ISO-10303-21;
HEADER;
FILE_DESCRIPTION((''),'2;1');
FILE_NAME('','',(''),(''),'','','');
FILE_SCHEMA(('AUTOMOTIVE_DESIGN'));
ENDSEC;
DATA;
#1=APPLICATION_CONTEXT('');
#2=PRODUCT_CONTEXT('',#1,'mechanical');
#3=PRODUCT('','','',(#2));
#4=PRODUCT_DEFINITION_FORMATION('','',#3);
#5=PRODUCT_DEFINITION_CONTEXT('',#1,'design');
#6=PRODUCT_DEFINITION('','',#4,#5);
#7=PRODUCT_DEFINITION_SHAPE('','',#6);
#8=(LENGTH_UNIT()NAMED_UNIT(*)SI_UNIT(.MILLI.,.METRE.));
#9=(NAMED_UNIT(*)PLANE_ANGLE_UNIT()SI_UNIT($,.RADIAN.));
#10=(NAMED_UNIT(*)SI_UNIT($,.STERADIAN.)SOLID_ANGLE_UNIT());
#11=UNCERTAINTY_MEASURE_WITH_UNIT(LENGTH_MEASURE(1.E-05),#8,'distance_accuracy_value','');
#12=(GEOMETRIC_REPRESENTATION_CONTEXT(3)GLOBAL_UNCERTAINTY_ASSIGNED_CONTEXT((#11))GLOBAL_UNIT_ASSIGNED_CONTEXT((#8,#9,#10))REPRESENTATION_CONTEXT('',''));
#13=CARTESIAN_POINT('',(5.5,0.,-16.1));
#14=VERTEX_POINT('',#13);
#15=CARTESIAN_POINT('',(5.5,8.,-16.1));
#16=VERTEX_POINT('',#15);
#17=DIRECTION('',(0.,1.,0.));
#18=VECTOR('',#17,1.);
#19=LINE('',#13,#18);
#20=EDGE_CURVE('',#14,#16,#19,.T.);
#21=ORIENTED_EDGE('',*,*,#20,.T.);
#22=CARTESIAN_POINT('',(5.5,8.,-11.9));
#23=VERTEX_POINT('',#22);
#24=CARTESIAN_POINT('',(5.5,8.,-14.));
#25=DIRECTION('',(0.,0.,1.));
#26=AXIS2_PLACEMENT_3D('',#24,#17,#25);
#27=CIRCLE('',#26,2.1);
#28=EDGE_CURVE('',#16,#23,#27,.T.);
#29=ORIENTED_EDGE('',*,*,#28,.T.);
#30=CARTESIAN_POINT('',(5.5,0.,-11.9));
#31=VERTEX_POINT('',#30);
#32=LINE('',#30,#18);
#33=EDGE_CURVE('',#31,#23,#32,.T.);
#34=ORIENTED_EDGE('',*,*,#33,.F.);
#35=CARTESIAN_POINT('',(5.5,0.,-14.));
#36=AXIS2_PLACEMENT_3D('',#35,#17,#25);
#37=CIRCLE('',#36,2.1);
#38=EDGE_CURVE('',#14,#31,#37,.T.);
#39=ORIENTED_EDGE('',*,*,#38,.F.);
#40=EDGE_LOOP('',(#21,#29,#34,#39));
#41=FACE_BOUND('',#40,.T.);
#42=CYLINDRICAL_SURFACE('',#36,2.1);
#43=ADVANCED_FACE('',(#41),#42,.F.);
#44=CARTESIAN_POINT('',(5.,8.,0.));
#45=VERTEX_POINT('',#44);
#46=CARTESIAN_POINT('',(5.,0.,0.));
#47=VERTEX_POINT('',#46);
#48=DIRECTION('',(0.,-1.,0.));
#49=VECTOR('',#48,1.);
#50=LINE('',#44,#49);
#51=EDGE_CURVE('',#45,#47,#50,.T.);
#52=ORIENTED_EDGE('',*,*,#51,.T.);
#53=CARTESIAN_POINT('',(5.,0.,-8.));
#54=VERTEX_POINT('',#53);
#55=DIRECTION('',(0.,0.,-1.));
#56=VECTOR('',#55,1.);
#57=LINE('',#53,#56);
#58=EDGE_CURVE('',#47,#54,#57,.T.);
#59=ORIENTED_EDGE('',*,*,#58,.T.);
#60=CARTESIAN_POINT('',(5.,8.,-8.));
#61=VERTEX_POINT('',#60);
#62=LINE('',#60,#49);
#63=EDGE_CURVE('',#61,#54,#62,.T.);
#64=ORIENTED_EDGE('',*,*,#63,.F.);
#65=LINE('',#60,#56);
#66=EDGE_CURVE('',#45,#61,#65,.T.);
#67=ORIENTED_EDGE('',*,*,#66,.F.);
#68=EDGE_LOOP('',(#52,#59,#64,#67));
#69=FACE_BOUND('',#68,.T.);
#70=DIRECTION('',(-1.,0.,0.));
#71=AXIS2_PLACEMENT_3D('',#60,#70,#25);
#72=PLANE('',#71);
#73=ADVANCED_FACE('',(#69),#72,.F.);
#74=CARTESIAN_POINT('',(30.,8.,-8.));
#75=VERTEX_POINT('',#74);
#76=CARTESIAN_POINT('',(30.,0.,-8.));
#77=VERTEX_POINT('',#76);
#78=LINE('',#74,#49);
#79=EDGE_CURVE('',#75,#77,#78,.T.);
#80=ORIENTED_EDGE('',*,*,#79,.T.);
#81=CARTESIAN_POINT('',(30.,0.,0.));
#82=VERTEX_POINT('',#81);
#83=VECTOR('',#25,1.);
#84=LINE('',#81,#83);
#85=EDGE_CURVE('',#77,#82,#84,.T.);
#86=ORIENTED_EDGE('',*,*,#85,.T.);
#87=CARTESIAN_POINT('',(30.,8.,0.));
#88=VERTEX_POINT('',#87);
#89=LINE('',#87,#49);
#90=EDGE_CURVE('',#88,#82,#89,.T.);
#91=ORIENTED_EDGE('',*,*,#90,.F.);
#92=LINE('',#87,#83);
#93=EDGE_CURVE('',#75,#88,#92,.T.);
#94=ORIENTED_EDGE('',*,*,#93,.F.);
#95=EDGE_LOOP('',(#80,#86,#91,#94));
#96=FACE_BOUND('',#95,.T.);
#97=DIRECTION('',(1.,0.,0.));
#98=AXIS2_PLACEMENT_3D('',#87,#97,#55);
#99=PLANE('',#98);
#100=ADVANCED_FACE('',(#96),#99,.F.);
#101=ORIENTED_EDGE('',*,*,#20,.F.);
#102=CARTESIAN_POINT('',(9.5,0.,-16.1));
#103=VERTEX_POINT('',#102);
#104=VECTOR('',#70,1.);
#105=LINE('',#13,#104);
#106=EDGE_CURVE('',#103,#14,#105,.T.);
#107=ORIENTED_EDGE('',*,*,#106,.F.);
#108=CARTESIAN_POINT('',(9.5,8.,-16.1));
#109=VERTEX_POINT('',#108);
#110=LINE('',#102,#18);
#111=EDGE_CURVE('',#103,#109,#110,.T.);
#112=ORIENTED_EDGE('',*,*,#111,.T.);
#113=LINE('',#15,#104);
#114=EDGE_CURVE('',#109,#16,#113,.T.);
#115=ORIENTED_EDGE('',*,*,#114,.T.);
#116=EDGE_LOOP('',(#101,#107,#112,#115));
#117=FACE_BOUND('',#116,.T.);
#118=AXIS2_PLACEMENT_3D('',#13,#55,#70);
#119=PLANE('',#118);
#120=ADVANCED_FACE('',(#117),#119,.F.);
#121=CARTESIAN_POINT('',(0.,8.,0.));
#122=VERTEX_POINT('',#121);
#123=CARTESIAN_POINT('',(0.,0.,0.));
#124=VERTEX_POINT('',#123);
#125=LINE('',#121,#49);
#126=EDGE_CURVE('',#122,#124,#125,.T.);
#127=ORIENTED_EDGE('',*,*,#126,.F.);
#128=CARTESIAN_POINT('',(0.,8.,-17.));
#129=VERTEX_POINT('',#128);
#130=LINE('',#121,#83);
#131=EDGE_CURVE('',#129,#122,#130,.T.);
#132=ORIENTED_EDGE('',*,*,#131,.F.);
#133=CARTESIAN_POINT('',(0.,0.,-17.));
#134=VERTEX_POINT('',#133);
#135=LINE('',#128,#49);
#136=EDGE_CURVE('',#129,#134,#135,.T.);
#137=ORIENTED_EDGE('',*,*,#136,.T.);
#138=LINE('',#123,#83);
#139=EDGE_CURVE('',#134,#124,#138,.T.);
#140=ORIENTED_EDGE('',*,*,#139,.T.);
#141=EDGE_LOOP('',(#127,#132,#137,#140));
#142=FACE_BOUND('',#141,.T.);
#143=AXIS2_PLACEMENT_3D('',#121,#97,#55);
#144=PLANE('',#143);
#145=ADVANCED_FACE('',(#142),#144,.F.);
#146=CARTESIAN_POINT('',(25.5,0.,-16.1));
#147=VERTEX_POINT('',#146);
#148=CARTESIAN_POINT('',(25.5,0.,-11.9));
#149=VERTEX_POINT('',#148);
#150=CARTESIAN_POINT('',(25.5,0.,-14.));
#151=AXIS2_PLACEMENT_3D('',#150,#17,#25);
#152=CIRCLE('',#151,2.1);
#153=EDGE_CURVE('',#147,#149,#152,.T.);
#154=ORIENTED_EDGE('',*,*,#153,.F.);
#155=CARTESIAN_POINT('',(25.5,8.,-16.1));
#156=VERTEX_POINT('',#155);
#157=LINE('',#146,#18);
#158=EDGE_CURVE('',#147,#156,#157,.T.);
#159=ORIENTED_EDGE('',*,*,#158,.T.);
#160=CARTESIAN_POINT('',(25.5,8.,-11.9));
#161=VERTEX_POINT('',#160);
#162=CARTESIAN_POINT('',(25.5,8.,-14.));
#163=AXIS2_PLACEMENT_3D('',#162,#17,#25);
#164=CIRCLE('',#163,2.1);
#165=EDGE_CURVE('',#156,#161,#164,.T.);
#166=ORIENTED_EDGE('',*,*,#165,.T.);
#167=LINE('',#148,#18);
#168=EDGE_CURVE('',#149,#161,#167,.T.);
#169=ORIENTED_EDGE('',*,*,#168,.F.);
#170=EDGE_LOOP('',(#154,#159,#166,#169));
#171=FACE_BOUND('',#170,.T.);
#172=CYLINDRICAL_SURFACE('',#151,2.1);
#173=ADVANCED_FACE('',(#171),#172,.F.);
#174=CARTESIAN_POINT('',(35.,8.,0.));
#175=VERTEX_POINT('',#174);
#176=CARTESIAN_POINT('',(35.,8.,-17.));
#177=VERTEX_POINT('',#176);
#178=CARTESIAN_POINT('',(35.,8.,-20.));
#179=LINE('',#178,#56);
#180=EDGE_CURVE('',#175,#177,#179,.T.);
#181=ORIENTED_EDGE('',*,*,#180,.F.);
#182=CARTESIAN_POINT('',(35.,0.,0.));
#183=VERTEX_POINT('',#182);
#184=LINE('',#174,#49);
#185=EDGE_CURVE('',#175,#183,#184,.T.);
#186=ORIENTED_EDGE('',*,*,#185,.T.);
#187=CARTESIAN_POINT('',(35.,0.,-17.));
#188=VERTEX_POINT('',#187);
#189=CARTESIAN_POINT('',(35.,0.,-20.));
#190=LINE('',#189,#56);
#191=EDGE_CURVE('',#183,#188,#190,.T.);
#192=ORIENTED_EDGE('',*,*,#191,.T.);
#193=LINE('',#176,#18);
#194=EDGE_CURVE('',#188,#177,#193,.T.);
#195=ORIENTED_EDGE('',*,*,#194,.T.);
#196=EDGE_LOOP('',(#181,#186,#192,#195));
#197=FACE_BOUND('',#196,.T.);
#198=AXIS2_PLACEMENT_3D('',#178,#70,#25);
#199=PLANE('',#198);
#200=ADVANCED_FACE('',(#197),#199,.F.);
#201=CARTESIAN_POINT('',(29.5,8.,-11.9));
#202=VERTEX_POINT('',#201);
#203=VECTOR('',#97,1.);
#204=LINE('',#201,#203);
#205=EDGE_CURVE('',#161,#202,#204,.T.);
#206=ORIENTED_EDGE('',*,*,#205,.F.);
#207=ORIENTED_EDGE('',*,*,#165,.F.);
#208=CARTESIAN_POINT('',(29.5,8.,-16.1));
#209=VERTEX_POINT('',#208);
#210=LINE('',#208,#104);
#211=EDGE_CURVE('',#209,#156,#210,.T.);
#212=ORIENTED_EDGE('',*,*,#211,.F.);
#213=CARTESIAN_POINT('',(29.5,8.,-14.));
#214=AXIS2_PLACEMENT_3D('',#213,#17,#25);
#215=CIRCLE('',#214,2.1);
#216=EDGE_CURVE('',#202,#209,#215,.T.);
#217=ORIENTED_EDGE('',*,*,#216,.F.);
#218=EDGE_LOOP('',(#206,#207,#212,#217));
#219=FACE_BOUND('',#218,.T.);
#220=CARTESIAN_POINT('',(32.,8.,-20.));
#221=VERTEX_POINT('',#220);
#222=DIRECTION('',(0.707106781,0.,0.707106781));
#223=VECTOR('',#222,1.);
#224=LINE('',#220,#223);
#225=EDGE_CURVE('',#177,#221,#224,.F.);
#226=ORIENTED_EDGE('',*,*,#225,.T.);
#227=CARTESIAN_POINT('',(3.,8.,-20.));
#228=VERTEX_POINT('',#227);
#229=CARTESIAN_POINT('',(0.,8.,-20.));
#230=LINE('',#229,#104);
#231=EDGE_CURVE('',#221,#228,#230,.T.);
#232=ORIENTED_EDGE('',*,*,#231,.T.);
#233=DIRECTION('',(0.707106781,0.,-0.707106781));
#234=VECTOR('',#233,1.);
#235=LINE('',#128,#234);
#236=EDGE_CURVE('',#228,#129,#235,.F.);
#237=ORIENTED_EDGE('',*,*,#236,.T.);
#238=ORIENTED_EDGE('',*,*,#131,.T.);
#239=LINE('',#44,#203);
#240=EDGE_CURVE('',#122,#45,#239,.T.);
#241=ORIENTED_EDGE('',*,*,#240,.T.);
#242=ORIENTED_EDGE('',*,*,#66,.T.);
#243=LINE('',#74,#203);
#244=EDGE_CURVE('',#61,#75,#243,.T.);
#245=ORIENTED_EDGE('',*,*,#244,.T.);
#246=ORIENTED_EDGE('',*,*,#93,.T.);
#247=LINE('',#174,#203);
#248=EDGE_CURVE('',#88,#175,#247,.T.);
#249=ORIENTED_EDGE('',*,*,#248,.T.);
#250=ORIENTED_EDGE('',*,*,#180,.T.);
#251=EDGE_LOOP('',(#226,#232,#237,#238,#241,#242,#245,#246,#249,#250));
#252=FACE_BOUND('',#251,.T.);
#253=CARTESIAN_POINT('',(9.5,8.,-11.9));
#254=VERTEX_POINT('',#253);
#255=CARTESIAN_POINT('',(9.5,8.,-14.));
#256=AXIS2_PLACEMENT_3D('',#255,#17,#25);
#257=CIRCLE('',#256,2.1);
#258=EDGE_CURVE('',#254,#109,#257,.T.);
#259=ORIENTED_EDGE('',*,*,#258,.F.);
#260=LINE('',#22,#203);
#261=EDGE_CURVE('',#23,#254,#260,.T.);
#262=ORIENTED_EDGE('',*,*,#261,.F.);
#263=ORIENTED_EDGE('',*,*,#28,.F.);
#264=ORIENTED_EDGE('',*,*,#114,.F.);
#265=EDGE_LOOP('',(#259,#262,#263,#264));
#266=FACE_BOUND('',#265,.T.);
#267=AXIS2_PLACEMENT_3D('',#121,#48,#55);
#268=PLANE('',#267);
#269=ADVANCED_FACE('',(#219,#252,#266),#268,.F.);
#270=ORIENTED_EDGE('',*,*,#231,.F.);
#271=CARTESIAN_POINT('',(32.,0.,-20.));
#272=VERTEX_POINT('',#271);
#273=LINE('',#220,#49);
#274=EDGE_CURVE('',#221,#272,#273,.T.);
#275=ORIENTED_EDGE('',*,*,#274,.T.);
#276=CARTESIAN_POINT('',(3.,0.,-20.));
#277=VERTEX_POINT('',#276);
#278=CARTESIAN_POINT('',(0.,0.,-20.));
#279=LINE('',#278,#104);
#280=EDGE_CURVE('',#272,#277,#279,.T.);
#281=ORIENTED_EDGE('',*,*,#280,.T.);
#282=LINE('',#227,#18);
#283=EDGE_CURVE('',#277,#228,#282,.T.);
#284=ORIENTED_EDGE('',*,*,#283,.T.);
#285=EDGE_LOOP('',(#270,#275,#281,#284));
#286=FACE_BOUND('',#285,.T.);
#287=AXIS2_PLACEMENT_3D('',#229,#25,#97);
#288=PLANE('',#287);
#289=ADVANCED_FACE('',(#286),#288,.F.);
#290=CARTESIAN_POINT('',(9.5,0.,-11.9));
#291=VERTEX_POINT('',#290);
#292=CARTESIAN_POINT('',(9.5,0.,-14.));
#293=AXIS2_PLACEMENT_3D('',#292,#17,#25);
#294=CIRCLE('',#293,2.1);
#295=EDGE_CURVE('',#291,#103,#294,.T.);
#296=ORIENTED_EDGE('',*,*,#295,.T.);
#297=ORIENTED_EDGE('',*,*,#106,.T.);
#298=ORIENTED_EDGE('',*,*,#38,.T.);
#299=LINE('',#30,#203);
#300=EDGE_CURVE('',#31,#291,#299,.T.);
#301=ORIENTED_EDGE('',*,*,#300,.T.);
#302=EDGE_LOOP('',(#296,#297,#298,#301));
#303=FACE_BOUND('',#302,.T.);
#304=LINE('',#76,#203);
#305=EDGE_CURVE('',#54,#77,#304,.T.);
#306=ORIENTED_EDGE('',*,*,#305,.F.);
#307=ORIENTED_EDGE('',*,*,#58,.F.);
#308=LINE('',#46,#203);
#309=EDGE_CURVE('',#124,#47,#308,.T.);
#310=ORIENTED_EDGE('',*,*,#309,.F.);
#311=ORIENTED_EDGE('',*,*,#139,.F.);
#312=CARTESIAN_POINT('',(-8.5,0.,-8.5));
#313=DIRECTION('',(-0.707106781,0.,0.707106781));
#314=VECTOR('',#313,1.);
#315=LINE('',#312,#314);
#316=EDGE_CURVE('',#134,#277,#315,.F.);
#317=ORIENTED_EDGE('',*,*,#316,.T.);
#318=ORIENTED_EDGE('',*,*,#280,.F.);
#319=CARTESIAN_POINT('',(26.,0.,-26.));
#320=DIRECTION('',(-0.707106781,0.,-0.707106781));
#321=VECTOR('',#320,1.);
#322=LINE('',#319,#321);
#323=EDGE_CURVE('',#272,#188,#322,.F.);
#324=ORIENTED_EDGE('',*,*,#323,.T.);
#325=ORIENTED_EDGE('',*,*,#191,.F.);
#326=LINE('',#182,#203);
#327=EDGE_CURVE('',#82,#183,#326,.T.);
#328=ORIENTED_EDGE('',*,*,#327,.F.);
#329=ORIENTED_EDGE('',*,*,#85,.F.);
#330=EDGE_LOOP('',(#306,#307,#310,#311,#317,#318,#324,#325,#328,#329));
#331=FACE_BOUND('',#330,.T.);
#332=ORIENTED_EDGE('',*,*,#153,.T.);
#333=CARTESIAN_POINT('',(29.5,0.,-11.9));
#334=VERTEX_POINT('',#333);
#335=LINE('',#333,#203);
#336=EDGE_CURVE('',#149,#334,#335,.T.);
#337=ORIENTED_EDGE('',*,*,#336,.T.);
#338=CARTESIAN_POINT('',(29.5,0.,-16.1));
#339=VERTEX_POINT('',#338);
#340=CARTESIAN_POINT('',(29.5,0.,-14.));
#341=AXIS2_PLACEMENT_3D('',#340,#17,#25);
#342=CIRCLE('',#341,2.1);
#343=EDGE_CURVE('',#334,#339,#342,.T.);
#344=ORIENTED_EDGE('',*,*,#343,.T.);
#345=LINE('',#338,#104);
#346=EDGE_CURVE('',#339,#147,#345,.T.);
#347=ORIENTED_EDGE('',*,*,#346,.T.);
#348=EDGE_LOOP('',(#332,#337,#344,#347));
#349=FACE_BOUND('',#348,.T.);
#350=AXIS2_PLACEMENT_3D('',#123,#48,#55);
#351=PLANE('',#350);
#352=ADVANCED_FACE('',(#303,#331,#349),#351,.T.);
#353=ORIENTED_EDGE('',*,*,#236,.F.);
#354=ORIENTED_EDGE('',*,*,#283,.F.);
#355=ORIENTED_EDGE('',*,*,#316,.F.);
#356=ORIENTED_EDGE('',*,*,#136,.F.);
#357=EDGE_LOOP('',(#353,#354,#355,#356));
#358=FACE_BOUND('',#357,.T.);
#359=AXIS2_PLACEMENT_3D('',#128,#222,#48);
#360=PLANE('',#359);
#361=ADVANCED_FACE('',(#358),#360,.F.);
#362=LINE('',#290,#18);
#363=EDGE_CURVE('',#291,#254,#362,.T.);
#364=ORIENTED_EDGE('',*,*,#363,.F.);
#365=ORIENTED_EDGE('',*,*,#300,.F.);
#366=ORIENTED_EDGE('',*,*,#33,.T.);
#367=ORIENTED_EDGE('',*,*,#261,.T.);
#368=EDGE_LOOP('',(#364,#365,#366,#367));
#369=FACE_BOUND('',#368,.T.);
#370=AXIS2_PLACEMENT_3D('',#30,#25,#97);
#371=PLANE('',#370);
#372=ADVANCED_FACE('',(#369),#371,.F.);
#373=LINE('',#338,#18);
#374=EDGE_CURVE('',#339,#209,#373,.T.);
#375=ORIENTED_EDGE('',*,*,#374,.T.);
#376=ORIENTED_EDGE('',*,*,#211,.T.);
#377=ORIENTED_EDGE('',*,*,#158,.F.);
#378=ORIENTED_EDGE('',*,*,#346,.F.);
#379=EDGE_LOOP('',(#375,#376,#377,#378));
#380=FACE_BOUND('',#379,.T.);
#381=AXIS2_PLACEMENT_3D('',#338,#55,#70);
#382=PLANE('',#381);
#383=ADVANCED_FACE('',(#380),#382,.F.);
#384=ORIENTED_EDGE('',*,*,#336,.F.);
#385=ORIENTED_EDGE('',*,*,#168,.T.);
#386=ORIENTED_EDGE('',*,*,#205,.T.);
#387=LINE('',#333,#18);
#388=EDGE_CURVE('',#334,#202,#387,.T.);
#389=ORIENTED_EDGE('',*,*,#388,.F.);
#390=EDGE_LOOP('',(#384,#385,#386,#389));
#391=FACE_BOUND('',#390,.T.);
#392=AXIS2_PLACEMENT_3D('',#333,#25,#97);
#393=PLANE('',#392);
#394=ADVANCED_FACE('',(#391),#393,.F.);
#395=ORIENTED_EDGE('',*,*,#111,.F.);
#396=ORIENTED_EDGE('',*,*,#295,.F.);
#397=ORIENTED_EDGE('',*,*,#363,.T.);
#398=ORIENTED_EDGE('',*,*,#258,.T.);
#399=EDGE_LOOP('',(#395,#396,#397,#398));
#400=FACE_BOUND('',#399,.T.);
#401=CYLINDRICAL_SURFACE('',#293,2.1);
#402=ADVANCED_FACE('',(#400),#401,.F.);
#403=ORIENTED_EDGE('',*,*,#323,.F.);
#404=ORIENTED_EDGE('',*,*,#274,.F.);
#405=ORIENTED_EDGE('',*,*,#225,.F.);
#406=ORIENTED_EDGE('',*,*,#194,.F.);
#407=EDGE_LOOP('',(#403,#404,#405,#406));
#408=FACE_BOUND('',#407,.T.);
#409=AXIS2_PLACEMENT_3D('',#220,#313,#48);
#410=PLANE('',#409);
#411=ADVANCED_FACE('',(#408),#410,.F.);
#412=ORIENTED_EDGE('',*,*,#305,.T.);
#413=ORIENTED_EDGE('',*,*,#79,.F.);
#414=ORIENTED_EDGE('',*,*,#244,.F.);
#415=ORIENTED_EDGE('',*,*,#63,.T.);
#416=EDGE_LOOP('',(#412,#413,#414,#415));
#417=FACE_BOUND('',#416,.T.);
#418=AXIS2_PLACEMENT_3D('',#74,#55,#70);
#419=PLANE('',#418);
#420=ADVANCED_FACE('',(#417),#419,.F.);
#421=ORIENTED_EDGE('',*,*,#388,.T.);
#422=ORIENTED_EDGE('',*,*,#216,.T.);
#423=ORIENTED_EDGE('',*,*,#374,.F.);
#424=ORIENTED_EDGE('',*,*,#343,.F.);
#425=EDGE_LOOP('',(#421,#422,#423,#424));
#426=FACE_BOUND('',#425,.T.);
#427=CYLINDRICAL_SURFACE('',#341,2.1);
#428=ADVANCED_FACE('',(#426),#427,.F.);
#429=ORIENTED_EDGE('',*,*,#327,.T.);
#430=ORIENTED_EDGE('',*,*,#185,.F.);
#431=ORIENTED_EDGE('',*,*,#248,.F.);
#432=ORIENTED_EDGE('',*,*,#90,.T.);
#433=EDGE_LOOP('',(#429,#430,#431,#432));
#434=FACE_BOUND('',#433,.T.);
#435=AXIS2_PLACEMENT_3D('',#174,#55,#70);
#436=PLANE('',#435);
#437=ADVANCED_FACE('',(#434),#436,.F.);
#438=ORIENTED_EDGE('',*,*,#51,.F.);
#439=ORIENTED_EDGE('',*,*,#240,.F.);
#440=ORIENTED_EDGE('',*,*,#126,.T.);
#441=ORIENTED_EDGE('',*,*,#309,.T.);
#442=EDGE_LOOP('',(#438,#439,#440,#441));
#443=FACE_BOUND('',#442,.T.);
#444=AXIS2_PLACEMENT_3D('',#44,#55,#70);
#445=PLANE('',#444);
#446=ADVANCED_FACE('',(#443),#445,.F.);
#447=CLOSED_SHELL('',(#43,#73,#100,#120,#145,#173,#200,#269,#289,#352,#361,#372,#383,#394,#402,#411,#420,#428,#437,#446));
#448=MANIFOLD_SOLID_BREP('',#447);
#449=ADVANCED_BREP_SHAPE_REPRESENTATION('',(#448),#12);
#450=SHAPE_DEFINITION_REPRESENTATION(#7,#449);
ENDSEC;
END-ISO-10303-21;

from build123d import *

# Parameters (mm, degrees)
EXTRUDE_1_DEPTH     = 8
CUT_EXTRUDE_1_DEPTH = 8
CHAMFER_1_SIZE      = 3


with BuildPart() as part:
    # 스케치1 → 보스-돌출1 (new body)
    with BuildSketch(Plane(origin=(0, 0, 0), x_dir=(1, 0, 0), z_dir=(0, 1, 0))):
        Polygon((0, 0), (0, 20), (35, 20), (35, 0), (30, 0), (30, 8), (5, 8), (5, 0), align=None)
    extrude(amount=EXTRUDE_1_DEPTH)

    # 스케치2 → 컷-돌출1 (cut)
    with BuildSketch(Plane(origin=(0, 8, 0), x_dir=(1, 0, 0), z_dir=(0, 1, 0))):
        with BuildLine():
            Line((29.5, 11.9), (25.5, 11.9))
            ThreePointArc((25.5, 11.9), (23.4, 14), (25.5, 16.1))
            Line((25.5, 16.1), (29.5, 16.1))
            ThreePointArc((29.5, 16.1), (31.6, 14), (29.5, 11.9))
        make_face()
        with BuildLine():
            Line((5.5, 16.1), (9.5, 16.1))
            ThreePointArc((9.5, 16.1), (11.6, 14), (9.5, 11.9))
            Line((9.5, 11.9), (5.5, 11.9))
            ThreePointArc((5.5, 11.9), (3.4, 14), (5.5, 16.1))
        make_face()
    extrude(amount=-CUT_EXTRUDE_1_DEPTH, mode=Mode.SUBTRACT)

    # 모따기1
    chamfer_1_edges = [part.edges().sort_by_distance(p)[0] for p in [
        (0, 4, -20),
        (35, 4, -20),
    ]]
    chamfer(chamfer_1_edges, length=CHAMFER_1_SIZE)


solid = part.part
